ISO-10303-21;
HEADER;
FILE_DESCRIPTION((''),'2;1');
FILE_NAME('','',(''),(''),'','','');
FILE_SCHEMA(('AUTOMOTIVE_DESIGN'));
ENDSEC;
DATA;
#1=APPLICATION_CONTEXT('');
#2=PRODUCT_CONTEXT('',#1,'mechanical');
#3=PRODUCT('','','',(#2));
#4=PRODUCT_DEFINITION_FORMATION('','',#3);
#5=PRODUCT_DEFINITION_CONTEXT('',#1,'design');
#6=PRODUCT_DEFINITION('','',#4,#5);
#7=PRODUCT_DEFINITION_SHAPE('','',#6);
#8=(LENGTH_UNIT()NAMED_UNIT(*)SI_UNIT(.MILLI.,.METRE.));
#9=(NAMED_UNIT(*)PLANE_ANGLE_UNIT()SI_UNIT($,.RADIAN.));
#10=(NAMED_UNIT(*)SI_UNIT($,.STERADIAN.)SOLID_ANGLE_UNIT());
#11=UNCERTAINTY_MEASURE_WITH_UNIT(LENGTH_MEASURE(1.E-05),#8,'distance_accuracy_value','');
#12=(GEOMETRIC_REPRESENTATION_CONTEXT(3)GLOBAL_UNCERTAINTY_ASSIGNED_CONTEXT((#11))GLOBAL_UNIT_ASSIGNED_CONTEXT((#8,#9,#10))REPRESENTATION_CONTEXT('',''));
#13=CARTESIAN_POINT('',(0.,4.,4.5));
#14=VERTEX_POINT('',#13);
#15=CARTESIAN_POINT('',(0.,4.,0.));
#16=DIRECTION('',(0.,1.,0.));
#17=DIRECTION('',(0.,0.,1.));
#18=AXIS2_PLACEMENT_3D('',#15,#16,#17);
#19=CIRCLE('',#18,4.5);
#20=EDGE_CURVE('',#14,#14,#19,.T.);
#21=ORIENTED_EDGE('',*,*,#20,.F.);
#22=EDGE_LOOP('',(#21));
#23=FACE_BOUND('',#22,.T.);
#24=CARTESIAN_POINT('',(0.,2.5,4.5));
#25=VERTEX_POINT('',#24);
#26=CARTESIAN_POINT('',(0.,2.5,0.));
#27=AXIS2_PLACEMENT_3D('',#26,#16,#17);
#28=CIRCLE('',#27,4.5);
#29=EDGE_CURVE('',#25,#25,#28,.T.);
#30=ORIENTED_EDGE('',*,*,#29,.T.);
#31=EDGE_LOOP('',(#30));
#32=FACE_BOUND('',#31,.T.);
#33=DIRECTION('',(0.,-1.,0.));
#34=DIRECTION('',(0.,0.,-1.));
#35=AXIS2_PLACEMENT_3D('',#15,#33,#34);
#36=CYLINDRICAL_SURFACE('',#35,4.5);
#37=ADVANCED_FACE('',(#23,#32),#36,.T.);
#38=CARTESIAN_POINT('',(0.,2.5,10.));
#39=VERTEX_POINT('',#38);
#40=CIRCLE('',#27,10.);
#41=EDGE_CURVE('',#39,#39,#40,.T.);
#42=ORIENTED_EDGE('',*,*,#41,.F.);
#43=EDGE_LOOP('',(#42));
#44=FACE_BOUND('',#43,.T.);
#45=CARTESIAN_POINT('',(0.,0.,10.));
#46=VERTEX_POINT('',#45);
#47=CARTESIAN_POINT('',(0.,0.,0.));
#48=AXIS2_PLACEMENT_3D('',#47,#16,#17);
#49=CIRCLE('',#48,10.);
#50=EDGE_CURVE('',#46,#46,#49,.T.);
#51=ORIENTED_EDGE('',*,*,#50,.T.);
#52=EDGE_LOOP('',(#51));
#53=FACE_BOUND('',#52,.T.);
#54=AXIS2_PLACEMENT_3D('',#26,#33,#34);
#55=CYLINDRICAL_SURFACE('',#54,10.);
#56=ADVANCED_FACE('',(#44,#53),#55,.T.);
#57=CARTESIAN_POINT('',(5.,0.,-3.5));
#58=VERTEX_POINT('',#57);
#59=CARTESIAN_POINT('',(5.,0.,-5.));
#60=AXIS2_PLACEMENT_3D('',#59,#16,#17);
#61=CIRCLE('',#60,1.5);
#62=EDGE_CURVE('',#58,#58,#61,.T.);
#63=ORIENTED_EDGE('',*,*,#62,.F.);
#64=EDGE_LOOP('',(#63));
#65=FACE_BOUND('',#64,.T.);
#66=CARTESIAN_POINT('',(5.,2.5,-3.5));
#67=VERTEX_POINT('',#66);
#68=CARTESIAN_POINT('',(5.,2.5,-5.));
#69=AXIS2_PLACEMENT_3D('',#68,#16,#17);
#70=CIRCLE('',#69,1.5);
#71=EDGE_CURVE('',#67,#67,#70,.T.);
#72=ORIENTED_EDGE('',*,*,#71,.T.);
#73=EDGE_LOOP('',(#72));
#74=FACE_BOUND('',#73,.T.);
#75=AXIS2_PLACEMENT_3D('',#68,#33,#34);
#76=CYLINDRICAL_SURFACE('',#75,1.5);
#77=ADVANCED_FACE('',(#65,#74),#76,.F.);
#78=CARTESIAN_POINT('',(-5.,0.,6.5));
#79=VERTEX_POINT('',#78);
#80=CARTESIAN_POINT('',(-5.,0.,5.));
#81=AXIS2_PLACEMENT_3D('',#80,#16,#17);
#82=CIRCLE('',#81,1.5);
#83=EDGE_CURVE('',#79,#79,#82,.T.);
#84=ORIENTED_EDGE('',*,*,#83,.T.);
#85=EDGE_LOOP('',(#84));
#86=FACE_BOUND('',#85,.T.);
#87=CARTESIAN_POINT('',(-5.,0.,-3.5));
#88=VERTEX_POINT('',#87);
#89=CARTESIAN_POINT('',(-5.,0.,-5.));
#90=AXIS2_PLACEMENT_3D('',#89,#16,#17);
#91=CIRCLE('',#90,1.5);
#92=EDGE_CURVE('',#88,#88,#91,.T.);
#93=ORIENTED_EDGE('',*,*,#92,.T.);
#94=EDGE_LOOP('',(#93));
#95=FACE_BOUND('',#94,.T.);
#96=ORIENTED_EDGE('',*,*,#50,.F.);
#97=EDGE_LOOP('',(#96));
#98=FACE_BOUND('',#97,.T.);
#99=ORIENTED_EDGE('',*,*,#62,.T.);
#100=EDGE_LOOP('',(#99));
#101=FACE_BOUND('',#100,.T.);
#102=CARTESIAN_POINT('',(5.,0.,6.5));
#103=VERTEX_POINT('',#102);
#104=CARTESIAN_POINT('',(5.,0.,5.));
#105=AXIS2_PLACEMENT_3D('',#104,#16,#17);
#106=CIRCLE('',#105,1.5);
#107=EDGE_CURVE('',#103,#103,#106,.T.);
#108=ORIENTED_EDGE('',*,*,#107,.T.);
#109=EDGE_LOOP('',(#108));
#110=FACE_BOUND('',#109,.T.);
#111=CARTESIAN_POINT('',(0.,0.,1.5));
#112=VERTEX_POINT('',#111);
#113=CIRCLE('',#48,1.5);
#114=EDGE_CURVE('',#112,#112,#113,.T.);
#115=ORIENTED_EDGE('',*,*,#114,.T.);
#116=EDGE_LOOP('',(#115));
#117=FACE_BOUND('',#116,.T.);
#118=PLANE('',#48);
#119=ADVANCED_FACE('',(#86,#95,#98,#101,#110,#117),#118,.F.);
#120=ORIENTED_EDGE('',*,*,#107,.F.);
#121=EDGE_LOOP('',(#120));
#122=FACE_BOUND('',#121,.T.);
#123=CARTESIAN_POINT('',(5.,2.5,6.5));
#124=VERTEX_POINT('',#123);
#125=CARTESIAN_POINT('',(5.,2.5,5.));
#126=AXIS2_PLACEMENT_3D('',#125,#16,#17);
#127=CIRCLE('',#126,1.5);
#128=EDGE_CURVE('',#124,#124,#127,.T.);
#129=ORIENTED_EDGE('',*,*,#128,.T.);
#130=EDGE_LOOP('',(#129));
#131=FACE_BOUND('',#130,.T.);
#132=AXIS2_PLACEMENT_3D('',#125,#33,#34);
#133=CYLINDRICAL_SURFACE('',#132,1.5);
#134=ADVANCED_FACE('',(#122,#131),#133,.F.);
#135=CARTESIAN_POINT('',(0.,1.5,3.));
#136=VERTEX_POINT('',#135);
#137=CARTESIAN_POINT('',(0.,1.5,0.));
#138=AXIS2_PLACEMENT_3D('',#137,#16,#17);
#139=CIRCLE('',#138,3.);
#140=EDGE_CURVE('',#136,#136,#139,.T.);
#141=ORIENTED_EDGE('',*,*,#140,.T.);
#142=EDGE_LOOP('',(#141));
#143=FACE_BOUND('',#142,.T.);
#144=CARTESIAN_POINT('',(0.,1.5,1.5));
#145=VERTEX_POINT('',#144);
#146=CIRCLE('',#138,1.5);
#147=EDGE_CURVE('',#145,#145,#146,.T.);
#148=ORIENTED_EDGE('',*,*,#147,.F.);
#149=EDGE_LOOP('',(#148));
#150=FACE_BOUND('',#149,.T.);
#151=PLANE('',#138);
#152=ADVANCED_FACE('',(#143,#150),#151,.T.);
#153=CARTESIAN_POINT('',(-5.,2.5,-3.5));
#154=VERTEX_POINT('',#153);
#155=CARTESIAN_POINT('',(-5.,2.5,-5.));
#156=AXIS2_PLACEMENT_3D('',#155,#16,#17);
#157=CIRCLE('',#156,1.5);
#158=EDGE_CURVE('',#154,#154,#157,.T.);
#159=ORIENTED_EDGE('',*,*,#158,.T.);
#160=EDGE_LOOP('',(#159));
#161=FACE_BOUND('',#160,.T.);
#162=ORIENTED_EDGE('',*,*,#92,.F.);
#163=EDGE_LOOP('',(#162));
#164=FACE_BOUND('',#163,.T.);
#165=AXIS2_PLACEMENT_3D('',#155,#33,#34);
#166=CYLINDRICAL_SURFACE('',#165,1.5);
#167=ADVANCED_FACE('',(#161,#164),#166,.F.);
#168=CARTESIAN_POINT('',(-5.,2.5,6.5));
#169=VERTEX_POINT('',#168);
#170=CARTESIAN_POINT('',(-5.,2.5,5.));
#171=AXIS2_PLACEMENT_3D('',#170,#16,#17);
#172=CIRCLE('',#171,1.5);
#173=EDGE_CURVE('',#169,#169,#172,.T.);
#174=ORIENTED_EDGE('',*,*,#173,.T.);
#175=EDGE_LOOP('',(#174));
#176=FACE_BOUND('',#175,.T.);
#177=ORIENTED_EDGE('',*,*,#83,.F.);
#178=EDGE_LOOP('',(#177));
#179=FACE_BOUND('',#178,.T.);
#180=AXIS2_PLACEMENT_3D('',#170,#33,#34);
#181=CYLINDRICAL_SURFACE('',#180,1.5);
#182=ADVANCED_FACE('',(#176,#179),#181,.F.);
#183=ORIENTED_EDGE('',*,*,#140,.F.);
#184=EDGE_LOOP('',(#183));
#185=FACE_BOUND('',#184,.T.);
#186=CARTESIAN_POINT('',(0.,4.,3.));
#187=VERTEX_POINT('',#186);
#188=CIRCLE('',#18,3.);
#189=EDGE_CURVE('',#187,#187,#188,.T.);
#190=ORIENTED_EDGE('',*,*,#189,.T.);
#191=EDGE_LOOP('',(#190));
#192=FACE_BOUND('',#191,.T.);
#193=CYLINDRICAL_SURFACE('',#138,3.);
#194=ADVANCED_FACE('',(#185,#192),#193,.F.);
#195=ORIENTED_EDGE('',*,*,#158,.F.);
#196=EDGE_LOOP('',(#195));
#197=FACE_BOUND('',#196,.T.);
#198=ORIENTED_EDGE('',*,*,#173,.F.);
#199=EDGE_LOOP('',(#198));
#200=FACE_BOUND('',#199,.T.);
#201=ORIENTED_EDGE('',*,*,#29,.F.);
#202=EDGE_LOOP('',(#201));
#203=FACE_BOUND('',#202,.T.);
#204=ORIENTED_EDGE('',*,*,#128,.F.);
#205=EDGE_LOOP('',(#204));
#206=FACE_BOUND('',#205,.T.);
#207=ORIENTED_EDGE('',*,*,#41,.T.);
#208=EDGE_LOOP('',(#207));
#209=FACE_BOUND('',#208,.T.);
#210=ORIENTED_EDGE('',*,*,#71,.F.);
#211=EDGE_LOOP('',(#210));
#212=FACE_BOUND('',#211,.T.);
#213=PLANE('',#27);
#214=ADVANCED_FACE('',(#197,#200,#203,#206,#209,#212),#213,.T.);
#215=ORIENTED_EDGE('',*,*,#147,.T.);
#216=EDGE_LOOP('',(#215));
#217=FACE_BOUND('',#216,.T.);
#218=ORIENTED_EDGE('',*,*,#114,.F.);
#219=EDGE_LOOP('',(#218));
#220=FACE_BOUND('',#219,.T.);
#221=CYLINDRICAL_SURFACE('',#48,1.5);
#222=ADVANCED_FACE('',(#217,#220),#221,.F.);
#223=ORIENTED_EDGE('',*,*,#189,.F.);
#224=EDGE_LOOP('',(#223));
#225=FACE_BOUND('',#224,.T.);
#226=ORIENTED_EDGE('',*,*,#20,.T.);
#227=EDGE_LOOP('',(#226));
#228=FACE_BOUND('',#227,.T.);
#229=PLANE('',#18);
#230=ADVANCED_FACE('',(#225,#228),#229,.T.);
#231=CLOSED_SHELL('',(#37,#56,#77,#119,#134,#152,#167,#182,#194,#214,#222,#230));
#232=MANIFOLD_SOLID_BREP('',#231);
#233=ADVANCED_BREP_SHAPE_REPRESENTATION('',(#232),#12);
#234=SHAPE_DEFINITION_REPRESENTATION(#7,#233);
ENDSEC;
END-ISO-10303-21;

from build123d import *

# Parameters (mm, degrees)
SKETCH_1_R          = 10
SKETCH_1_R_2        = 1.5
EXTRUDE_2_DEPTH     = 2.5
SKETCH_2_R          = 3
CUT_EXTRUDE_1_DEPTH = 1
SKETCH_3_R          = 1.5
CUT_EXTRUDE_3_DEPTH = 15.221462653
EXTRUDE_START       = 1.5
SKETCH_4_R          = 4.5
SKETCH_4_R_2        = 3
EXTRUDE_3_DEPTH     = 1.5


with BuildPart() as part:
    # 草图1 → 凸台-拉伸2 (new body)
    with BuildSketch(Plane(origin=(0, 0, 0), x_dir=(1, 0, 0), z_dir=(0, 1, 0))):
        with Locations(Location((0, 0, 0), (0, 0, 270))):
            Circle(SKETCH_1_R)
        with Locations(Location((-5, 5, 0), (0, 0, 270))):
            Circle(SKETCH_1_R_2, mode=Mode.SUBTRACT)
        with Locations(Location((5, 5, 0), (0, 0, 270))):
            Circle(SKETCH_1_R_2, mode=Mode.SUBTRACT)
        with Locations(Location((5, -5, 0), (0, 0, 270))):
            Circle(SKETCH_1_R_2, mode=Mode.SUBTRACT)
        with Locations(Location((-5, -5, 0), (0, 0, 270))):
            Circle(SKETCH_1_R_2, mode=Mode.SUBTRACT)
    extrude(amount=EXTRUDE_2_DEPTH)

    # 草图2 → 切除-拉伸1 (cut)
    with BuildSketch(Plane(origin=(0, 2.5, 0), x_dir=(1, 0, 0), z_dir=(0, 1, 0))):
        with Locations(Location((0, 0, 0), (0, 0, 270))):
            Circle(SKETCH_2_R)
    extrude(amount=-CUT_EXTRUDE_1_DEPTH, mode=Mode.SUBTRACT)

    # 草图3 → 切除-拉伸3 (cut, through all)
    with BuildSketch(Plane(origin=(0, 1.5, 0), x_dir=(1, 0, 0), z_dir=(0, 1, 0))):
        with Locations(Location((0, 0, 0), (0, 0, 270))):
            Circle(SKETCH_3_R)
    extrude(amount=-CUT_EXTRUDE_3_DEPTH, mode=Mode.SUBTRACT)

    # 草图4 → 凸台-拉伸3 (add)
    with BuildSketch(Plane(origin=(0, 2.5, 0), x_dir=(1, 0, 0), z_dir=(0, 1, 0)).offset(EXTRUDE_START)):
        with Locations(Location((0, 0, 0), (0, 0, 270))):
            Circle(SKETCH_4_R)
        with Locations(Location((0, 0, 0), (0, 0, 270))):
            Circle(SKETCH_4_R_2, mode=Mode.SUBTRACT)
    extrude(amount=-EXTRUDE_3_DEPTH)


solid = part.part
